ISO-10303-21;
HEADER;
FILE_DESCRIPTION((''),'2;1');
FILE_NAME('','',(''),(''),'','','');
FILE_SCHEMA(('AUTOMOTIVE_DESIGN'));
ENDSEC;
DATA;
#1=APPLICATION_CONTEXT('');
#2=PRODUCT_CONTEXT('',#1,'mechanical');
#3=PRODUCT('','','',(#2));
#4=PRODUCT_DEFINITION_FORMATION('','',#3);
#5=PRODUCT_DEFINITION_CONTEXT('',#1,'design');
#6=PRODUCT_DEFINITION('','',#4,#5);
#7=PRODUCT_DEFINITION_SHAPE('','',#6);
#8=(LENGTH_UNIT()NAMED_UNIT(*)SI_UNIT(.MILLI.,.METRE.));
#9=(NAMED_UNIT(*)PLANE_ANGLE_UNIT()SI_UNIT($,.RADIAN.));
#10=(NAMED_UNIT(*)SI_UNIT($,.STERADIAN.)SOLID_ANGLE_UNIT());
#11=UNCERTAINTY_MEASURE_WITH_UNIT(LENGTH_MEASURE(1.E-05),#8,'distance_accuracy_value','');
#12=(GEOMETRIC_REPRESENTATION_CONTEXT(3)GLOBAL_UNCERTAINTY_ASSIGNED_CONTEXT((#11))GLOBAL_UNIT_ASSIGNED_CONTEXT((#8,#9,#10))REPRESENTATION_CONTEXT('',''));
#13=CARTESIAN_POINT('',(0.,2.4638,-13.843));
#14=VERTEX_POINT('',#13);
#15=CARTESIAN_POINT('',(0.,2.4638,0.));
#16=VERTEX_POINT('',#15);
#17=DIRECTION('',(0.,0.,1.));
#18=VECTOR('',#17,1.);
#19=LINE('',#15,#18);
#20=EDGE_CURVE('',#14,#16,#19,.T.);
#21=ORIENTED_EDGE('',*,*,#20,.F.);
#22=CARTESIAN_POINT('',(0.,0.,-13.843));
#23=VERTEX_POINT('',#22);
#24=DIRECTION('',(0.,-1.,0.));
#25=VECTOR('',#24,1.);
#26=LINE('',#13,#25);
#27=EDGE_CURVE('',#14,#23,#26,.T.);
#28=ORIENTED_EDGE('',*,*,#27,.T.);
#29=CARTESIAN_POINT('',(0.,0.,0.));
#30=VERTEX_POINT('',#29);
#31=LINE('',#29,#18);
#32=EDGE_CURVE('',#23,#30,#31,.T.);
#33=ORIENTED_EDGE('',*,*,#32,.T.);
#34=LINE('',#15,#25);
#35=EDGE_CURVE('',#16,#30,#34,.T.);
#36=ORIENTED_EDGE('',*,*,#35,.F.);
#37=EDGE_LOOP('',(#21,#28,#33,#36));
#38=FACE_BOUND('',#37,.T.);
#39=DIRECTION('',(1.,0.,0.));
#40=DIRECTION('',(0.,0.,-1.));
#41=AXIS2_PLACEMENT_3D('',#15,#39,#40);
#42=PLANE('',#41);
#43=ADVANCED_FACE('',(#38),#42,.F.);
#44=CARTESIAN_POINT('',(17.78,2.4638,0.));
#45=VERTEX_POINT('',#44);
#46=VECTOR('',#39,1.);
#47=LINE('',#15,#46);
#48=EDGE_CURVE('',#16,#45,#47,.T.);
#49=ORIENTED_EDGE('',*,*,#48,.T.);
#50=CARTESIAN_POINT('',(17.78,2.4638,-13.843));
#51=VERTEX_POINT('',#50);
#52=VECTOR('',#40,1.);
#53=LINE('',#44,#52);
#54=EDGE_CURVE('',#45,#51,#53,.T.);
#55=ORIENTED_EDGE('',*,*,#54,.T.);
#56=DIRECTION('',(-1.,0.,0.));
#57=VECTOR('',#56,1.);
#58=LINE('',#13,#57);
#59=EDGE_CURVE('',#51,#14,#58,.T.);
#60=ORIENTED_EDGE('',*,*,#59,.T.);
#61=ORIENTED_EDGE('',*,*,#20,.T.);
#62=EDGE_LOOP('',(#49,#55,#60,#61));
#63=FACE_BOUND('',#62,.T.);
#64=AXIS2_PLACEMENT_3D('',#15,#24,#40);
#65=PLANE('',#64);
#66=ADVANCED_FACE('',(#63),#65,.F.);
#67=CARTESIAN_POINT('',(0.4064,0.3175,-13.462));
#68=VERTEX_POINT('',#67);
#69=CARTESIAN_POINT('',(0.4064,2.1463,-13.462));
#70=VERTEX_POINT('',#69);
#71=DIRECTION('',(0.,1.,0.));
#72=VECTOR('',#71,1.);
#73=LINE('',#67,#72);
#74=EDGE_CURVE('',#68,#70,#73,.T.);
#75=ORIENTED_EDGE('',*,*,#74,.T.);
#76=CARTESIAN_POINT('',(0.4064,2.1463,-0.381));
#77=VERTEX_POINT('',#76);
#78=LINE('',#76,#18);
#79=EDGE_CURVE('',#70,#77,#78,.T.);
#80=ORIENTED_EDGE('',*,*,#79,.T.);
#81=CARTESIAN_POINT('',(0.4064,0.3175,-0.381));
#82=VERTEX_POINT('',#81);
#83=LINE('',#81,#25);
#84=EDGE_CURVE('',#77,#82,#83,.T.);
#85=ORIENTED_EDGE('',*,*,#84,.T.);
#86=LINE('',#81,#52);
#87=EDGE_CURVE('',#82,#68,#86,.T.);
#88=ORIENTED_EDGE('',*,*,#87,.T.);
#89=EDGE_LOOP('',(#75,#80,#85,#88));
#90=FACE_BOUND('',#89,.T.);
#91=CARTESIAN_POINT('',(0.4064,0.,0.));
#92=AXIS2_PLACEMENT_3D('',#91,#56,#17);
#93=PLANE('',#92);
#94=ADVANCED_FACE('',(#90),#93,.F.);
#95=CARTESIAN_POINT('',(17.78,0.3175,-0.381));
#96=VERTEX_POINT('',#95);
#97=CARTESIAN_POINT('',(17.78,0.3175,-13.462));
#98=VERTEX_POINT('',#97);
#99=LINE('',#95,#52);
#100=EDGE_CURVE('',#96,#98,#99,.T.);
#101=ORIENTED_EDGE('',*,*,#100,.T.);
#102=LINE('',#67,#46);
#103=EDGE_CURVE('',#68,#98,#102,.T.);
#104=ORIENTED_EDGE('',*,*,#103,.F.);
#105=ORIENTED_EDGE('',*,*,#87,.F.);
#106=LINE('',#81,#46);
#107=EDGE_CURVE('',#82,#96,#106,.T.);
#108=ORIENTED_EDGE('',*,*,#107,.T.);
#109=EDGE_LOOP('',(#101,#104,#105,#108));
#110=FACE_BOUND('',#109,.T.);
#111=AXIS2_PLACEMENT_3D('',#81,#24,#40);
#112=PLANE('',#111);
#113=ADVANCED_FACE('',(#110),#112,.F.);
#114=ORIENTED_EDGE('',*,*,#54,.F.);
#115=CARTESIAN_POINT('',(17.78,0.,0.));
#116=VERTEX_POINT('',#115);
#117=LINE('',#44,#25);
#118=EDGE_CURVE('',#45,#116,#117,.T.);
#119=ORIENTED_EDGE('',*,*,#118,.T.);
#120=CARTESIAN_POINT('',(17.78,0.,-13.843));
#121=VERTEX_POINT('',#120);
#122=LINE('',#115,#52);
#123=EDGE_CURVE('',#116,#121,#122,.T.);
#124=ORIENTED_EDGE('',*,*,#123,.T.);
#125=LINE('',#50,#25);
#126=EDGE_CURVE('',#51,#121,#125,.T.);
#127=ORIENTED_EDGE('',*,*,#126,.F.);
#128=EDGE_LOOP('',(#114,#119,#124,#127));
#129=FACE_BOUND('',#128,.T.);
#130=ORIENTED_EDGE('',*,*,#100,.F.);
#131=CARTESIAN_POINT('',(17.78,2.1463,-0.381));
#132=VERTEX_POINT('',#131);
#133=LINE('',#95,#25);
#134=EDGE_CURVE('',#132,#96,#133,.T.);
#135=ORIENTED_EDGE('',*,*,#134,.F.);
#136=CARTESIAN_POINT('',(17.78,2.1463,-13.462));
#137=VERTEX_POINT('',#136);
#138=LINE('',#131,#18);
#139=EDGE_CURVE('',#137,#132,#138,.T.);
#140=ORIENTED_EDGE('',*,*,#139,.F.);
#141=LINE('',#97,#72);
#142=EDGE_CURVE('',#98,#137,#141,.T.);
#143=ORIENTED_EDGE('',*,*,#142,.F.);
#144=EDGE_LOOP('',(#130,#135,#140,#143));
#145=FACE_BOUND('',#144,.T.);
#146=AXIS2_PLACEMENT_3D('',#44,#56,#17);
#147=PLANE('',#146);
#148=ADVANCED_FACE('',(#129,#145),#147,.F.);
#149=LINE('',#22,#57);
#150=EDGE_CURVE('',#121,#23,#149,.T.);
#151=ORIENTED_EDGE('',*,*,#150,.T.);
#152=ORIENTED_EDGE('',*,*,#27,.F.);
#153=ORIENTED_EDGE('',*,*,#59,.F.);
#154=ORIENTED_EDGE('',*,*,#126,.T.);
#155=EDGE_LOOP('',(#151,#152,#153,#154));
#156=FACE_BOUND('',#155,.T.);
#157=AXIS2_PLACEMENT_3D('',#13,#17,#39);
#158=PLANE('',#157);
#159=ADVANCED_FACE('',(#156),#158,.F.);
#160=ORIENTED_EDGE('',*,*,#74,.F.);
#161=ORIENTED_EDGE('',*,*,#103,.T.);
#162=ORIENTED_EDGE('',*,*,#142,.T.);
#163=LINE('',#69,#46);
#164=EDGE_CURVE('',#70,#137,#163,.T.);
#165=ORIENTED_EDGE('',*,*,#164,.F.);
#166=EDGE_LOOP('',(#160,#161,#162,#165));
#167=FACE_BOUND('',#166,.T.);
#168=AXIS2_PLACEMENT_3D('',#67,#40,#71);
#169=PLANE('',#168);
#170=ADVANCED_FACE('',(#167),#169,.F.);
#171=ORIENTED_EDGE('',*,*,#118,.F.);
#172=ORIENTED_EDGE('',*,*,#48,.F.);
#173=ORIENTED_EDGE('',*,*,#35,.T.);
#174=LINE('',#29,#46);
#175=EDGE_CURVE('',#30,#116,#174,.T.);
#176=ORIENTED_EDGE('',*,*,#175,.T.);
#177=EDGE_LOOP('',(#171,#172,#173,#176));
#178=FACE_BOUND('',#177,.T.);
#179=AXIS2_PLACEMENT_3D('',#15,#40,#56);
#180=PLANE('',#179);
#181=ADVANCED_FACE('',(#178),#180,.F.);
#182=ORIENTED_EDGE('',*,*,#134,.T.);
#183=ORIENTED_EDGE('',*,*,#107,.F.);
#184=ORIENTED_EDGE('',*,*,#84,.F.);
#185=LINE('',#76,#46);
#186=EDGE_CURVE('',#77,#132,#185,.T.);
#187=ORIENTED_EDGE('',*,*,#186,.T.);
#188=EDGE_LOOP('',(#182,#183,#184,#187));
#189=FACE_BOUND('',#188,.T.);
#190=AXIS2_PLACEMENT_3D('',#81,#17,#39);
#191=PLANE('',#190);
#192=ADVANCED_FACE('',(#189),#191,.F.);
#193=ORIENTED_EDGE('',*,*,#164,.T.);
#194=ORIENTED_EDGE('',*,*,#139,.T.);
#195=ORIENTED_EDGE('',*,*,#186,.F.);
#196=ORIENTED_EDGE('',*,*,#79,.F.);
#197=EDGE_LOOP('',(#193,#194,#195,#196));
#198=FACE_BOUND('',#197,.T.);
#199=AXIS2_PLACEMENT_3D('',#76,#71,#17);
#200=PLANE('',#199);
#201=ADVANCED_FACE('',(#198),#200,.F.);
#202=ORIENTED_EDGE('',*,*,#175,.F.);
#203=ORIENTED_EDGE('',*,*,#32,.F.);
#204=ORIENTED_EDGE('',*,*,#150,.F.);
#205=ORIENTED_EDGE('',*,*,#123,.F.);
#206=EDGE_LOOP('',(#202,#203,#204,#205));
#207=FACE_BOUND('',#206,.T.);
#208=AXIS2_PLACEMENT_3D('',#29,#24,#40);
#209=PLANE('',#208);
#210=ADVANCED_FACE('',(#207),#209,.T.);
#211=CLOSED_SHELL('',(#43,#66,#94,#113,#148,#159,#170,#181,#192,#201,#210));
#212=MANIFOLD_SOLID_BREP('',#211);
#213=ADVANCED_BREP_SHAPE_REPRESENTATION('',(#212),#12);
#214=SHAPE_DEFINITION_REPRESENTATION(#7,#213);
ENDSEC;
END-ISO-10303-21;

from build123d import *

# Parameters (mm, degrees)
SKETCH2_W           = 17.78
SKETCH2_H           = 13.843
BOSS_EXTRUDE1_DEPTH = 2.4638
SKETCH3_W           = 13.081
SKETCH3_H           = 1.8288
CUT_EXTRUDE1_DEPTH  = 17.3736


with BuildPart() as part:
    # Sketch2 → Boss-Extrude1 (new body)
    with BuildSketch(Plane(origin=(0, 0, 0), x_dir=(1, 0, 0), z_dir=(0, 1, 0))):
        with Locations((8.89, 6.9215)):
            Rectangle(SKETCH2_W, SKETCH2_H)
    extrude(amount=BOSS_EXTRUDE1_DEPTH)

    # Sketch3 → Cut-Extrude1 (cut)
    with BuildSketch(Plane(origin=(17.78, 0, 0), x_dir=(0, 0, -1), z_dir=(1, 0, 0))):
        with Locations((6.9215, 1.2319)):
            Rectangle(SKETCH3_W, SKETCH3_H)
    extrude(amount=-CUT_EXTRUDE1_DEPTH, mode=Mode.SUBTRACT)


solid = part.part
